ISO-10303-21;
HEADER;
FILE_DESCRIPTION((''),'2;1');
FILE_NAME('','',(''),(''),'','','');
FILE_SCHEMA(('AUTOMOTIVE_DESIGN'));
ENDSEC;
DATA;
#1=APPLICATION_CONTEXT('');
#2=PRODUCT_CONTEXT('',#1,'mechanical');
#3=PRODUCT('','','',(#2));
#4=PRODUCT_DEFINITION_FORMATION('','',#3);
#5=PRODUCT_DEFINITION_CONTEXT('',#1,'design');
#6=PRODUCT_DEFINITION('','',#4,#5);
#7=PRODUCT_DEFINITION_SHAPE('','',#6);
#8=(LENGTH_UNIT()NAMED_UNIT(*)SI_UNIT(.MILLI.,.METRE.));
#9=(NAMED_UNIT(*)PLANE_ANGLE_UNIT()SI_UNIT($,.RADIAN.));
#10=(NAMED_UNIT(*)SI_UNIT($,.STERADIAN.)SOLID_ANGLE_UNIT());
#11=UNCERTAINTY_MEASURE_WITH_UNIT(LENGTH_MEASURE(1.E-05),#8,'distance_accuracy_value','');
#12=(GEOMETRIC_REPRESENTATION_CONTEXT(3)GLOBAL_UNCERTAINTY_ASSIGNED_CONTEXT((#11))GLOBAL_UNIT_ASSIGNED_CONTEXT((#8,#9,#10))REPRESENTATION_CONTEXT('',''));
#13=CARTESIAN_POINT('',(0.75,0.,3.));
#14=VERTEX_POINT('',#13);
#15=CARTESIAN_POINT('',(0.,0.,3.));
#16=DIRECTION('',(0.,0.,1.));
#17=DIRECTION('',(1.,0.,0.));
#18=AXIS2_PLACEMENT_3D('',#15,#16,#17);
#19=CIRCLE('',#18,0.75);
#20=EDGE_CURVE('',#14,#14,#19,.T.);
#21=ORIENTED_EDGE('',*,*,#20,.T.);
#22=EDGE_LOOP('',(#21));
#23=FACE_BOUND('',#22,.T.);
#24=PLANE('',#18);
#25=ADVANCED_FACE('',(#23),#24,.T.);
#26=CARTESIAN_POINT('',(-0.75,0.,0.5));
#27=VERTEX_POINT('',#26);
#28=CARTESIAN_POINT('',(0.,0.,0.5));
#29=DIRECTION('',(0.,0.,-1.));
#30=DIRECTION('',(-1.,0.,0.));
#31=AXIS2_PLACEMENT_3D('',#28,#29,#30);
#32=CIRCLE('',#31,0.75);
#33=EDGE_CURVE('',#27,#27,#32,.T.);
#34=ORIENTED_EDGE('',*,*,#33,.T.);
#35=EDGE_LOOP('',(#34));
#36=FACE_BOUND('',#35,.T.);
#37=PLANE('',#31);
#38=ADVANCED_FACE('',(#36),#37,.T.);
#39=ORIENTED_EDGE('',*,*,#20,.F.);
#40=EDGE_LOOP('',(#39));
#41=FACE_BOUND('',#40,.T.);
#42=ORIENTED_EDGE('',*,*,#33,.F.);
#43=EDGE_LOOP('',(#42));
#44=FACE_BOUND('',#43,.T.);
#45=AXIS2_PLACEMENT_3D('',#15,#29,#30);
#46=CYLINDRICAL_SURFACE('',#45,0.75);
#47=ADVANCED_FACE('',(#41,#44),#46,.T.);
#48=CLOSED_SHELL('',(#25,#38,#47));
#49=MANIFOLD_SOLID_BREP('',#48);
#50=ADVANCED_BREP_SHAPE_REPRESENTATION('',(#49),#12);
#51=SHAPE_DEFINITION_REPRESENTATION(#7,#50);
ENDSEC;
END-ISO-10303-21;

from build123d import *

# Parameters (mm, degrees)
SKETCH1_R           = 0.75
BOSS_EXTRUDE1_DEPTH = 3
BOSS_EXTRUDE2_START = 1
SKETCH2_R           = 0.75
BOSS_EXTRUDE2_DEPTH = 1
BOSS_EXTRUDE3_START = 1
SKETCH3_R           = 0.75
BOSS_EXTRUDE3_DEPTH = 1
SKETCH4_R           = 0.75
CUT_EXTRUDE1_DEPTH  = 2.5


with BuildPart() as part:
    # Sketch1 → Boss-Extrude1 (new body)
    with BuildSketch(Plane.XY):
        Circle(SKETCH1_R)
    extrude(amount=BOSS_EXTRUDE1_DEPTH)

    # Sketch2 → Boss-Extrude2 (add)
    with BuildSketch(Plane(origin=(0, 0, 0), x_dir=(-1, 0, 0), z_dir=(0, 0, -1)).offset(BOSS_EXTRUDE2_START)):
        Circle(SKETCH2_R)
    extrude(amount=-BOSS_EXTRUDE2_DEPTH)

    # Sketch3 → Boss-Extrude3 (add)
    with BuildSketch(Plane(origin=(0, 0, -1), x_dir=(-1, 0, 0), z_dir=(0, 0, -1)).offset(BOSS_EXTRUDE3_START)):
        Circle(SKETCH3_R)
    extrude(amount=-BOSS_EXTRUDE3_DEPTH)

    # Sketch4 → Cut-Extrude1 (cut)
    with BuildSketch(Plane(origin=(0, 0, -2), x_dir=(-1, 0, 0), z_dir=(0, 0, -1))):
        Circle(SKETCH4_R)
    extrude(amount=-CUT_EXTRUDE1_DEPTH, mode=Mode.SUBTRACT)


solid = part.part
